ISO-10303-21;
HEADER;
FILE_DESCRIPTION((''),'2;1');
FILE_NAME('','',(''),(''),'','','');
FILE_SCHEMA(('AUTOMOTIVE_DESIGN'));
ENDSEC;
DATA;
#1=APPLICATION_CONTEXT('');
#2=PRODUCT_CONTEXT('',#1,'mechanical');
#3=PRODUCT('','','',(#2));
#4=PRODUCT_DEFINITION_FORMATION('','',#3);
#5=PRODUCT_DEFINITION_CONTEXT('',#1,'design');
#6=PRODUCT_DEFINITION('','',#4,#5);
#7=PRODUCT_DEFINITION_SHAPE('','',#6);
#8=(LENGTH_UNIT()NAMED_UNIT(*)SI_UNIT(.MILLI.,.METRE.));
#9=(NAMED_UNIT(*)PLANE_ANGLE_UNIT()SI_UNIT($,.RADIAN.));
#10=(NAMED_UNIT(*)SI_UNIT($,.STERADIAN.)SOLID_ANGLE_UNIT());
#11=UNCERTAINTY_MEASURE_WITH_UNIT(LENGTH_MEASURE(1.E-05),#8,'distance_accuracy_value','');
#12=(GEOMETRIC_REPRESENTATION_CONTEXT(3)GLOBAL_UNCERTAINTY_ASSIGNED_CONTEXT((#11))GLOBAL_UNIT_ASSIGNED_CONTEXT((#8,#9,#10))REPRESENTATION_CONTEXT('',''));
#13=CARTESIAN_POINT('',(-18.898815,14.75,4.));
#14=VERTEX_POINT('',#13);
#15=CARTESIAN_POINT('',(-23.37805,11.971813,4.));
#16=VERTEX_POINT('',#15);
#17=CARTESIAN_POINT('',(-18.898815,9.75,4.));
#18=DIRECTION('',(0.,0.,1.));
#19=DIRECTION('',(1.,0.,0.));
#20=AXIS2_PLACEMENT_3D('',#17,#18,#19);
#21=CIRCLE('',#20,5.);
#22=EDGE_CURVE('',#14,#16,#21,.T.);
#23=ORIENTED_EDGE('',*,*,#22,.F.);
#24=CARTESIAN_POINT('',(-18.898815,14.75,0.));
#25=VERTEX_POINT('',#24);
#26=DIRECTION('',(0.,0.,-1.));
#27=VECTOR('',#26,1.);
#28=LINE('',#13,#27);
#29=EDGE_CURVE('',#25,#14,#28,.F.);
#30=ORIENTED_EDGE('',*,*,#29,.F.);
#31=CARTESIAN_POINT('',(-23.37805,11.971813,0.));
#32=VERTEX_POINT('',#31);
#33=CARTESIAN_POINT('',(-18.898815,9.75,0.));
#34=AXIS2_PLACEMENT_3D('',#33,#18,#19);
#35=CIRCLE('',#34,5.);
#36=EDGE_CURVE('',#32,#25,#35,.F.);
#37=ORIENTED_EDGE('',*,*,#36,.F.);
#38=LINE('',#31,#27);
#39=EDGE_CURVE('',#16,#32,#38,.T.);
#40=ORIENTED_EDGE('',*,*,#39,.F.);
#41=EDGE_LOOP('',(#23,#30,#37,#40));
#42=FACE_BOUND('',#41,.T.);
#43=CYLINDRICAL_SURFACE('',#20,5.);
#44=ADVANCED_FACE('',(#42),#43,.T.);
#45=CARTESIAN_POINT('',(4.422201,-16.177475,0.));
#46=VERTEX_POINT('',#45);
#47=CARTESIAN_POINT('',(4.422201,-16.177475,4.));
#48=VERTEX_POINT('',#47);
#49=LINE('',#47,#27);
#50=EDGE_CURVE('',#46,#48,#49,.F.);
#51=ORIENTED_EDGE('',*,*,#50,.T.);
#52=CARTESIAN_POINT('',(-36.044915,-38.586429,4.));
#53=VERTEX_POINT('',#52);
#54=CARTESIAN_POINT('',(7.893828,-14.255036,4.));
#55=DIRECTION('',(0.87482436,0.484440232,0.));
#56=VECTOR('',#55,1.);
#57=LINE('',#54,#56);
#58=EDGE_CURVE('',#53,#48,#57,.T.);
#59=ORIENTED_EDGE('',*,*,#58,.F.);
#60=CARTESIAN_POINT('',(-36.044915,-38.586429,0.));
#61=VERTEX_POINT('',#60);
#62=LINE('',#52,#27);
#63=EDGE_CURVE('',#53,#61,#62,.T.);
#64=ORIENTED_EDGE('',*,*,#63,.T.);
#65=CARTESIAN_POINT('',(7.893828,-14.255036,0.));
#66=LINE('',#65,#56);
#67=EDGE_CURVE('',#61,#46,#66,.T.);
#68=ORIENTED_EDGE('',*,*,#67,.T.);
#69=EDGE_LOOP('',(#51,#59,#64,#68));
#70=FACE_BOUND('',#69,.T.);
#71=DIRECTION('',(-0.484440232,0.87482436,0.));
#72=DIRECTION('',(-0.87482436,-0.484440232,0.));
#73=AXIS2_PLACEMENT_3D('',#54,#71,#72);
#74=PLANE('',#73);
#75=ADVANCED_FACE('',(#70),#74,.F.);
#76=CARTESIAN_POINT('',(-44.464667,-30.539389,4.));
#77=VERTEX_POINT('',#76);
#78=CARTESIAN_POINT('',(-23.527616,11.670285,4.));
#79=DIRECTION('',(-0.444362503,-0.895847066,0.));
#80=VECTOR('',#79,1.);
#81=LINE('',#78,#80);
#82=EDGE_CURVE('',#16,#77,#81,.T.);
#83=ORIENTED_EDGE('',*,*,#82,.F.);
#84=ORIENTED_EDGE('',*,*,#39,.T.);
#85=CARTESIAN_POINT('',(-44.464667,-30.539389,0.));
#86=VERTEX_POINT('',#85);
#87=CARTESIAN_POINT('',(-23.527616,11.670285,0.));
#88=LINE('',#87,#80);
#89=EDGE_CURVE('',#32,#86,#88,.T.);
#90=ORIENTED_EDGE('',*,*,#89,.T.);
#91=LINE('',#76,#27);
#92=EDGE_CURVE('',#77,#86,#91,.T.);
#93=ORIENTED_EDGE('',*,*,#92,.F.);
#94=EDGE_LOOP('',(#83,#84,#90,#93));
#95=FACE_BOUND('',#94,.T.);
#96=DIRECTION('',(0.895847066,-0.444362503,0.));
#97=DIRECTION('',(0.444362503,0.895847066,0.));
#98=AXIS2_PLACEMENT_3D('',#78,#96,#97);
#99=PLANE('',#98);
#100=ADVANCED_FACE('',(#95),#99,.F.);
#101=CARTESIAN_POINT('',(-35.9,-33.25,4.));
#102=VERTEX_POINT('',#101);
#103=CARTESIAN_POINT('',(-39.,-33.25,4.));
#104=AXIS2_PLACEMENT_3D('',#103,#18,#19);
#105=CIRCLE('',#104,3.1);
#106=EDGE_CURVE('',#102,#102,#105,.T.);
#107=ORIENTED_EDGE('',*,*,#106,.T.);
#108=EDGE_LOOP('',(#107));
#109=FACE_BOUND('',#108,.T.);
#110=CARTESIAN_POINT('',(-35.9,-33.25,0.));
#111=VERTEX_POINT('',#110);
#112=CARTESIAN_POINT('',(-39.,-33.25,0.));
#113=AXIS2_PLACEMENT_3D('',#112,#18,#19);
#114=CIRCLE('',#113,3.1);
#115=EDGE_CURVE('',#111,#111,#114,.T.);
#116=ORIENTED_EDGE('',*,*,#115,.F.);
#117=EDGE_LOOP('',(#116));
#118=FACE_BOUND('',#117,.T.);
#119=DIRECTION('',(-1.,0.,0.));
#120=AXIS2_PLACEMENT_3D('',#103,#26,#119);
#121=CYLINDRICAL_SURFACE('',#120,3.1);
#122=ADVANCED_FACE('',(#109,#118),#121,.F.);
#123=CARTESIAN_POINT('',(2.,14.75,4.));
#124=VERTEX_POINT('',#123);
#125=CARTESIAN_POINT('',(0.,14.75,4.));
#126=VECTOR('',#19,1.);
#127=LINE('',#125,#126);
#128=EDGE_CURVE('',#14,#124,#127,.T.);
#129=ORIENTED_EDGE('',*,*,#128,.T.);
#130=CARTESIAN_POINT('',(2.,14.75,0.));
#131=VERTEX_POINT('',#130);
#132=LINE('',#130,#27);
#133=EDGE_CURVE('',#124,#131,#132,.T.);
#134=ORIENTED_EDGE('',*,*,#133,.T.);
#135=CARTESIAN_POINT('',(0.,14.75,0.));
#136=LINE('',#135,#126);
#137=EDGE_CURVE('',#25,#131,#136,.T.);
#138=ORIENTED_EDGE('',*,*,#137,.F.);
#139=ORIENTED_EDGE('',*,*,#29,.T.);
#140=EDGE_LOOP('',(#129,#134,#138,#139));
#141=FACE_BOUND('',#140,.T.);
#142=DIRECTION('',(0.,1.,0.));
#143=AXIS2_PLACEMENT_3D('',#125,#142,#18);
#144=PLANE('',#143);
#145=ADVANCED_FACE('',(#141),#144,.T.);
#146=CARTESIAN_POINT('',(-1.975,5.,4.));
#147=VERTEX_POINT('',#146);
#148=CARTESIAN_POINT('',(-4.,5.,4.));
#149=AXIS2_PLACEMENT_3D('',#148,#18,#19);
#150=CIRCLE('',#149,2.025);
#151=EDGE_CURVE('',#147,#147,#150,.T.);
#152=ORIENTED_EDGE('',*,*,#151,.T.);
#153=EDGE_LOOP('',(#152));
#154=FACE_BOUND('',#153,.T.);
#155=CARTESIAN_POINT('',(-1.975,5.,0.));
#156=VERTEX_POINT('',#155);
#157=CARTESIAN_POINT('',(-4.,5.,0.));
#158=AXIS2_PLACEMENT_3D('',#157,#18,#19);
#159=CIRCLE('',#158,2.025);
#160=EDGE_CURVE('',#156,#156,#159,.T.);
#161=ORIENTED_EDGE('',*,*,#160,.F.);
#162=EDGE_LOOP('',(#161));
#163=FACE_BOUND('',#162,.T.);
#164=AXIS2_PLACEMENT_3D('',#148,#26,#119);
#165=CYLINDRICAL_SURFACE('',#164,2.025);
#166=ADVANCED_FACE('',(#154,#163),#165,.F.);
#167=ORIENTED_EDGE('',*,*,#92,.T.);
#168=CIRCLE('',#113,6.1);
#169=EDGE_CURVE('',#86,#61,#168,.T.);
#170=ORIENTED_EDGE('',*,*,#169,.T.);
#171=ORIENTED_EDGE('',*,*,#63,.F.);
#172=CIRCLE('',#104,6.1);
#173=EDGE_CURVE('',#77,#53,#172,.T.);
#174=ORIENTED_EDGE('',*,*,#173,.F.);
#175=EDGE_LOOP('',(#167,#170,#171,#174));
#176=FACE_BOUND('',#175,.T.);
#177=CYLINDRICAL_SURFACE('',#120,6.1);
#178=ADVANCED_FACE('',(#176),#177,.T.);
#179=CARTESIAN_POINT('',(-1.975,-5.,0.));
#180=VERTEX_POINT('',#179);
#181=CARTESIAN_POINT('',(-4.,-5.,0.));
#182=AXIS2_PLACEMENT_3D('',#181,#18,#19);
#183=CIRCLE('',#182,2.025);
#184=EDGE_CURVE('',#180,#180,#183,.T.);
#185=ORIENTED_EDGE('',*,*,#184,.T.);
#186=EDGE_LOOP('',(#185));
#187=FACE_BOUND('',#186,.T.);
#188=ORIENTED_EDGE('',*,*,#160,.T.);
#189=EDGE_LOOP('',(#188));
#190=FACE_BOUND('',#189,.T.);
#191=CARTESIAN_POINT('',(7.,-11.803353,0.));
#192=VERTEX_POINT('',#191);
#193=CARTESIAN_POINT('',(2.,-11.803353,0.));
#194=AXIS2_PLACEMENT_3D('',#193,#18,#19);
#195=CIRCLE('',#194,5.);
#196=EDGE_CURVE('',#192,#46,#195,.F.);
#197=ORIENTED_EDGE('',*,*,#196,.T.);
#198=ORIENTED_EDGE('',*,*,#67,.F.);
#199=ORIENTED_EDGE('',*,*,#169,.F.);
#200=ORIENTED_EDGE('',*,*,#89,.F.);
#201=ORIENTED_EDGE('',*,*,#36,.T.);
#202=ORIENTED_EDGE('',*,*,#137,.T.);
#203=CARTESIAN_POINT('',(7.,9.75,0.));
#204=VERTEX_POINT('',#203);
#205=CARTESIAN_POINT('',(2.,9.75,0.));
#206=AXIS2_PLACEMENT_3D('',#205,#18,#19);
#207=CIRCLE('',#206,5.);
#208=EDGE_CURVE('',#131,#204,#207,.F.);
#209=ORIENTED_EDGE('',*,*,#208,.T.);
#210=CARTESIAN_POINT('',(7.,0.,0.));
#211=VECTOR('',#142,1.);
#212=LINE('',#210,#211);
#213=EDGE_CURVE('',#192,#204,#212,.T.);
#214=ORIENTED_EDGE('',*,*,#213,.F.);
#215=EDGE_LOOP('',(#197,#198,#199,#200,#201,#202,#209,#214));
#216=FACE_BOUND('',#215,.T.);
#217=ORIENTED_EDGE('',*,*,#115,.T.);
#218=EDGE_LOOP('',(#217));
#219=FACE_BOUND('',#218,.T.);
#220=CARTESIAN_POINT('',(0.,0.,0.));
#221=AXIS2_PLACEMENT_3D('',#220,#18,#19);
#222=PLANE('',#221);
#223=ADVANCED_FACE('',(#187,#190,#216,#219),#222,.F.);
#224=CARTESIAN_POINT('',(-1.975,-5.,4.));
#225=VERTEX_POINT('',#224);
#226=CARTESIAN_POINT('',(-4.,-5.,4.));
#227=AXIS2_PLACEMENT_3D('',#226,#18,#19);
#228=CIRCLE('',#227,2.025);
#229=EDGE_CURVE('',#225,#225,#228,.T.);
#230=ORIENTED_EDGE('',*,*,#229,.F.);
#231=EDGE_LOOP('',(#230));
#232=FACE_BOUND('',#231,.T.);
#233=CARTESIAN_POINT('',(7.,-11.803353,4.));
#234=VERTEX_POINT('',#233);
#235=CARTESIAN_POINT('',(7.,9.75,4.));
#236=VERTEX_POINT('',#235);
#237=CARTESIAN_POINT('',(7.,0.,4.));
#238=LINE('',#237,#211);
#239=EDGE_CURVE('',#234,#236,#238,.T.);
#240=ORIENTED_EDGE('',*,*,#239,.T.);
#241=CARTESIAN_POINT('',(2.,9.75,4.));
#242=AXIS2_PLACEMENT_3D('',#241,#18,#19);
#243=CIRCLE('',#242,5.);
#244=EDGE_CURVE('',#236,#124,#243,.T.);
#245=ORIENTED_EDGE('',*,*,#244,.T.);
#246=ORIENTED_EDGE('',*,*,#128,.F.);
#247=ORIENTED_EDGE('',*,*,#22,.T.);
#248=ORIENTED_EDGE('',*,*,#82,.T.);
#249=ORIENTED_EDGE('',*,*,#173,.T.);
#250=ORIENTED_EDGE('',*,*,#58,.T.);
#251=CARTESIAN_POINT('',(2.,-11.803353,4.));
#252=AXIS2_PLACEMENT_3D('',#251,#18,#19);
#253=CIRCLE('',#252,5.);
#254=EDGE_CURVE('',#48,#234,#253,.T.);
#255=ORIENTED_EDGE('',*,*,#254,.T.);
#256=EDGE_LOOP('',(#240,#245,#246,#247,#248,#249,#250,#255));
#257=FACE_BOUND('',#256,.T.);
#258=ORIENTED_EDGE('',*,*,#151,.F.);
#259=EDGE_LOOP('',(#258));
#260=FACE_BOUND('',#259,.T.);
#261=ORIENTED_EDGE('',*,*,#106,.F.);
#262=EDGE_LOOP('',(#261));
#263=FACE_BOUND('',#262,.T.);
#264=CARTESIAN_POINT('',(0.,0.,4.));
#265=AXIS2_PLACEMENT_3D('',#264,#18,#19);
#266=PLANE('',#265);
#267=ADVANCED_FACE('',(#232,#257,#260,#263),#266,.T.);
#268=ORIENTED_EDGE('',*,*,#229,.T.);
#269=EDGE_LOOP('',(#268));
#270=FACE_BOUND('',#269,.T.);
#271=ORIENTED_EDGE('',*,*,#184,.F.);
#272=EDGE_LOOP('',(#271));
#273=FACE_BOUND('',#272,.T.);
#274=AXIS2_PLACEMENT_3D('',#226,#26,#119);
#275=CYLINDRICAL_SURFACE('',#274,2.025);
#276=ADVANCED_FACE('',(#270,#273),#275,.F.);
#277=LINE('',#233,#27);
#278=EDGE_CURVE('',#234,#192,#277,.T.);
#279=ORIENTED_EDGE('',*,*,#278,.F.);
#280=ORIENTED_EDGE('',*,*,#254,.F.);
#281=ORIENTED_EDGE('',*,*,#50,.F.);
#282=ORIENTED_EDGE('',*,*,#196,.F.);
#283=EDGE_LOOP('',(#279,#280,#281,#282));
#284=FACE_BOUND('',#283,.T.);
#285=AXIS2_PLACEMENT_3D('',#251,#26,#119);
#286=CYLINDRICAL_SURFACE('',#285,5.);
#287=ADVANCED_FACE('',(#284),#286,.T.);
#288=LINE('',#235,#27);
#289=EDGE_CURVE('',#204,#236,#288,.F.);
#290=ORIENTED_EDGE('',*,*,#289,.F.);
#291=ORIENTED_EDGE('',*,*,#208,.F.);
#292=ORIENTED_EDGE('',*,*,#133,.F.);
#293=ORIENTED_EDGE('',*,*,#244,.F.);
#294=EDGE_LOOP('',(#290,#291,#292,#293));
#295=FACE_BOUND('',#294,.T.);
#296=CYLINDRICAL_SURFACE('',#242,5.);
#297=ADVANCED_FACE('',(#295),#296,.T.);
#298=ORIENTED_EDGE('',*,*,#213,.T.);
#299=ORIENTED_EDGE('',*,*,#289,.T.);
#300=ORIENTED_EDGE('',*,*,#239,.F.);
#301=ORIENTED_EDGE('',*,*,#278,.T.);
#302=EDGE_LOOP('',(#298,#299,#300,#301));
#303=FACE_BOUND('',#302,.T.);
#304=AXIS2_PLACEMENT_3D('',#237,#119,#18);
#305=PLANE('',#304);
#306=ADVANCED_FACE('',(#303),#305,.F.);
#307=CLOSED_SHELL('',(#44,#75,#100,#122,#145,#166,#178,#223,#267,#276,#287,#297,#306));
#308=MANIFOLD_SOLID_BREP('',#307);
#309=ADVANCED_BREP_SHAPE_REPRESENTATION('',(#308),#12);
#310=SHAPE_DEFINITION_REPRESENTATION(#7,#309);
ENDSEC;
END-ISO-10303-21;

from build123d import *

# Parameters (mm, degrees)
SKETCH_2_R      = 2.025
SKETCH_2_R_2    = 3.1
EXTRUDE_1_DEPTH = 4
FILLET_1_R      = 5


with BuildPart() as part:
    # 草图2 → 凸台-拉伸1 (new body)
    with BuildSketch(Plane.XY):
        with BuildLine():
            Line((-22, 14.75), (-44.464667105, -30.539388734))
            ThreePointArc((-44.464667105, -30.539388734), (-43.214642655, -37.659851164), (-36.044914585, -38.586428599))
            Line((-36.044914585, -38.586428599), (7, -14.75))
            Line((7, -14.75), (7, 14.75))
            Line((7, 14.75), (-22, 14.75))
        make_face()
        with Locations((-4, 5)):
            Circle(SKETCH_2_R, mode=Mode.SUBTRACT)
        with Locations((-4, -5)):
            Circle(SKETCH_2_R, mode=Mode.SUBTRACT)
        with Locations((-39, -33.25)):
            Circle(SKETCH_2_R_2, mode=Mode.SUBTRACT)
    extrude(amount=EXTRUDE_1_DEPTH)

    # 圆角1
    fillet_1_edges = [part.edges().sort_by_distance(p)[0] for p in [
        (-22, 14.75, 2),
        (7, 14.75, 2),
        (7, -14.75, 2),
    ]]
    fillet(fillet_1_edges, radius=FILLET_1_R)


solid = part.part
